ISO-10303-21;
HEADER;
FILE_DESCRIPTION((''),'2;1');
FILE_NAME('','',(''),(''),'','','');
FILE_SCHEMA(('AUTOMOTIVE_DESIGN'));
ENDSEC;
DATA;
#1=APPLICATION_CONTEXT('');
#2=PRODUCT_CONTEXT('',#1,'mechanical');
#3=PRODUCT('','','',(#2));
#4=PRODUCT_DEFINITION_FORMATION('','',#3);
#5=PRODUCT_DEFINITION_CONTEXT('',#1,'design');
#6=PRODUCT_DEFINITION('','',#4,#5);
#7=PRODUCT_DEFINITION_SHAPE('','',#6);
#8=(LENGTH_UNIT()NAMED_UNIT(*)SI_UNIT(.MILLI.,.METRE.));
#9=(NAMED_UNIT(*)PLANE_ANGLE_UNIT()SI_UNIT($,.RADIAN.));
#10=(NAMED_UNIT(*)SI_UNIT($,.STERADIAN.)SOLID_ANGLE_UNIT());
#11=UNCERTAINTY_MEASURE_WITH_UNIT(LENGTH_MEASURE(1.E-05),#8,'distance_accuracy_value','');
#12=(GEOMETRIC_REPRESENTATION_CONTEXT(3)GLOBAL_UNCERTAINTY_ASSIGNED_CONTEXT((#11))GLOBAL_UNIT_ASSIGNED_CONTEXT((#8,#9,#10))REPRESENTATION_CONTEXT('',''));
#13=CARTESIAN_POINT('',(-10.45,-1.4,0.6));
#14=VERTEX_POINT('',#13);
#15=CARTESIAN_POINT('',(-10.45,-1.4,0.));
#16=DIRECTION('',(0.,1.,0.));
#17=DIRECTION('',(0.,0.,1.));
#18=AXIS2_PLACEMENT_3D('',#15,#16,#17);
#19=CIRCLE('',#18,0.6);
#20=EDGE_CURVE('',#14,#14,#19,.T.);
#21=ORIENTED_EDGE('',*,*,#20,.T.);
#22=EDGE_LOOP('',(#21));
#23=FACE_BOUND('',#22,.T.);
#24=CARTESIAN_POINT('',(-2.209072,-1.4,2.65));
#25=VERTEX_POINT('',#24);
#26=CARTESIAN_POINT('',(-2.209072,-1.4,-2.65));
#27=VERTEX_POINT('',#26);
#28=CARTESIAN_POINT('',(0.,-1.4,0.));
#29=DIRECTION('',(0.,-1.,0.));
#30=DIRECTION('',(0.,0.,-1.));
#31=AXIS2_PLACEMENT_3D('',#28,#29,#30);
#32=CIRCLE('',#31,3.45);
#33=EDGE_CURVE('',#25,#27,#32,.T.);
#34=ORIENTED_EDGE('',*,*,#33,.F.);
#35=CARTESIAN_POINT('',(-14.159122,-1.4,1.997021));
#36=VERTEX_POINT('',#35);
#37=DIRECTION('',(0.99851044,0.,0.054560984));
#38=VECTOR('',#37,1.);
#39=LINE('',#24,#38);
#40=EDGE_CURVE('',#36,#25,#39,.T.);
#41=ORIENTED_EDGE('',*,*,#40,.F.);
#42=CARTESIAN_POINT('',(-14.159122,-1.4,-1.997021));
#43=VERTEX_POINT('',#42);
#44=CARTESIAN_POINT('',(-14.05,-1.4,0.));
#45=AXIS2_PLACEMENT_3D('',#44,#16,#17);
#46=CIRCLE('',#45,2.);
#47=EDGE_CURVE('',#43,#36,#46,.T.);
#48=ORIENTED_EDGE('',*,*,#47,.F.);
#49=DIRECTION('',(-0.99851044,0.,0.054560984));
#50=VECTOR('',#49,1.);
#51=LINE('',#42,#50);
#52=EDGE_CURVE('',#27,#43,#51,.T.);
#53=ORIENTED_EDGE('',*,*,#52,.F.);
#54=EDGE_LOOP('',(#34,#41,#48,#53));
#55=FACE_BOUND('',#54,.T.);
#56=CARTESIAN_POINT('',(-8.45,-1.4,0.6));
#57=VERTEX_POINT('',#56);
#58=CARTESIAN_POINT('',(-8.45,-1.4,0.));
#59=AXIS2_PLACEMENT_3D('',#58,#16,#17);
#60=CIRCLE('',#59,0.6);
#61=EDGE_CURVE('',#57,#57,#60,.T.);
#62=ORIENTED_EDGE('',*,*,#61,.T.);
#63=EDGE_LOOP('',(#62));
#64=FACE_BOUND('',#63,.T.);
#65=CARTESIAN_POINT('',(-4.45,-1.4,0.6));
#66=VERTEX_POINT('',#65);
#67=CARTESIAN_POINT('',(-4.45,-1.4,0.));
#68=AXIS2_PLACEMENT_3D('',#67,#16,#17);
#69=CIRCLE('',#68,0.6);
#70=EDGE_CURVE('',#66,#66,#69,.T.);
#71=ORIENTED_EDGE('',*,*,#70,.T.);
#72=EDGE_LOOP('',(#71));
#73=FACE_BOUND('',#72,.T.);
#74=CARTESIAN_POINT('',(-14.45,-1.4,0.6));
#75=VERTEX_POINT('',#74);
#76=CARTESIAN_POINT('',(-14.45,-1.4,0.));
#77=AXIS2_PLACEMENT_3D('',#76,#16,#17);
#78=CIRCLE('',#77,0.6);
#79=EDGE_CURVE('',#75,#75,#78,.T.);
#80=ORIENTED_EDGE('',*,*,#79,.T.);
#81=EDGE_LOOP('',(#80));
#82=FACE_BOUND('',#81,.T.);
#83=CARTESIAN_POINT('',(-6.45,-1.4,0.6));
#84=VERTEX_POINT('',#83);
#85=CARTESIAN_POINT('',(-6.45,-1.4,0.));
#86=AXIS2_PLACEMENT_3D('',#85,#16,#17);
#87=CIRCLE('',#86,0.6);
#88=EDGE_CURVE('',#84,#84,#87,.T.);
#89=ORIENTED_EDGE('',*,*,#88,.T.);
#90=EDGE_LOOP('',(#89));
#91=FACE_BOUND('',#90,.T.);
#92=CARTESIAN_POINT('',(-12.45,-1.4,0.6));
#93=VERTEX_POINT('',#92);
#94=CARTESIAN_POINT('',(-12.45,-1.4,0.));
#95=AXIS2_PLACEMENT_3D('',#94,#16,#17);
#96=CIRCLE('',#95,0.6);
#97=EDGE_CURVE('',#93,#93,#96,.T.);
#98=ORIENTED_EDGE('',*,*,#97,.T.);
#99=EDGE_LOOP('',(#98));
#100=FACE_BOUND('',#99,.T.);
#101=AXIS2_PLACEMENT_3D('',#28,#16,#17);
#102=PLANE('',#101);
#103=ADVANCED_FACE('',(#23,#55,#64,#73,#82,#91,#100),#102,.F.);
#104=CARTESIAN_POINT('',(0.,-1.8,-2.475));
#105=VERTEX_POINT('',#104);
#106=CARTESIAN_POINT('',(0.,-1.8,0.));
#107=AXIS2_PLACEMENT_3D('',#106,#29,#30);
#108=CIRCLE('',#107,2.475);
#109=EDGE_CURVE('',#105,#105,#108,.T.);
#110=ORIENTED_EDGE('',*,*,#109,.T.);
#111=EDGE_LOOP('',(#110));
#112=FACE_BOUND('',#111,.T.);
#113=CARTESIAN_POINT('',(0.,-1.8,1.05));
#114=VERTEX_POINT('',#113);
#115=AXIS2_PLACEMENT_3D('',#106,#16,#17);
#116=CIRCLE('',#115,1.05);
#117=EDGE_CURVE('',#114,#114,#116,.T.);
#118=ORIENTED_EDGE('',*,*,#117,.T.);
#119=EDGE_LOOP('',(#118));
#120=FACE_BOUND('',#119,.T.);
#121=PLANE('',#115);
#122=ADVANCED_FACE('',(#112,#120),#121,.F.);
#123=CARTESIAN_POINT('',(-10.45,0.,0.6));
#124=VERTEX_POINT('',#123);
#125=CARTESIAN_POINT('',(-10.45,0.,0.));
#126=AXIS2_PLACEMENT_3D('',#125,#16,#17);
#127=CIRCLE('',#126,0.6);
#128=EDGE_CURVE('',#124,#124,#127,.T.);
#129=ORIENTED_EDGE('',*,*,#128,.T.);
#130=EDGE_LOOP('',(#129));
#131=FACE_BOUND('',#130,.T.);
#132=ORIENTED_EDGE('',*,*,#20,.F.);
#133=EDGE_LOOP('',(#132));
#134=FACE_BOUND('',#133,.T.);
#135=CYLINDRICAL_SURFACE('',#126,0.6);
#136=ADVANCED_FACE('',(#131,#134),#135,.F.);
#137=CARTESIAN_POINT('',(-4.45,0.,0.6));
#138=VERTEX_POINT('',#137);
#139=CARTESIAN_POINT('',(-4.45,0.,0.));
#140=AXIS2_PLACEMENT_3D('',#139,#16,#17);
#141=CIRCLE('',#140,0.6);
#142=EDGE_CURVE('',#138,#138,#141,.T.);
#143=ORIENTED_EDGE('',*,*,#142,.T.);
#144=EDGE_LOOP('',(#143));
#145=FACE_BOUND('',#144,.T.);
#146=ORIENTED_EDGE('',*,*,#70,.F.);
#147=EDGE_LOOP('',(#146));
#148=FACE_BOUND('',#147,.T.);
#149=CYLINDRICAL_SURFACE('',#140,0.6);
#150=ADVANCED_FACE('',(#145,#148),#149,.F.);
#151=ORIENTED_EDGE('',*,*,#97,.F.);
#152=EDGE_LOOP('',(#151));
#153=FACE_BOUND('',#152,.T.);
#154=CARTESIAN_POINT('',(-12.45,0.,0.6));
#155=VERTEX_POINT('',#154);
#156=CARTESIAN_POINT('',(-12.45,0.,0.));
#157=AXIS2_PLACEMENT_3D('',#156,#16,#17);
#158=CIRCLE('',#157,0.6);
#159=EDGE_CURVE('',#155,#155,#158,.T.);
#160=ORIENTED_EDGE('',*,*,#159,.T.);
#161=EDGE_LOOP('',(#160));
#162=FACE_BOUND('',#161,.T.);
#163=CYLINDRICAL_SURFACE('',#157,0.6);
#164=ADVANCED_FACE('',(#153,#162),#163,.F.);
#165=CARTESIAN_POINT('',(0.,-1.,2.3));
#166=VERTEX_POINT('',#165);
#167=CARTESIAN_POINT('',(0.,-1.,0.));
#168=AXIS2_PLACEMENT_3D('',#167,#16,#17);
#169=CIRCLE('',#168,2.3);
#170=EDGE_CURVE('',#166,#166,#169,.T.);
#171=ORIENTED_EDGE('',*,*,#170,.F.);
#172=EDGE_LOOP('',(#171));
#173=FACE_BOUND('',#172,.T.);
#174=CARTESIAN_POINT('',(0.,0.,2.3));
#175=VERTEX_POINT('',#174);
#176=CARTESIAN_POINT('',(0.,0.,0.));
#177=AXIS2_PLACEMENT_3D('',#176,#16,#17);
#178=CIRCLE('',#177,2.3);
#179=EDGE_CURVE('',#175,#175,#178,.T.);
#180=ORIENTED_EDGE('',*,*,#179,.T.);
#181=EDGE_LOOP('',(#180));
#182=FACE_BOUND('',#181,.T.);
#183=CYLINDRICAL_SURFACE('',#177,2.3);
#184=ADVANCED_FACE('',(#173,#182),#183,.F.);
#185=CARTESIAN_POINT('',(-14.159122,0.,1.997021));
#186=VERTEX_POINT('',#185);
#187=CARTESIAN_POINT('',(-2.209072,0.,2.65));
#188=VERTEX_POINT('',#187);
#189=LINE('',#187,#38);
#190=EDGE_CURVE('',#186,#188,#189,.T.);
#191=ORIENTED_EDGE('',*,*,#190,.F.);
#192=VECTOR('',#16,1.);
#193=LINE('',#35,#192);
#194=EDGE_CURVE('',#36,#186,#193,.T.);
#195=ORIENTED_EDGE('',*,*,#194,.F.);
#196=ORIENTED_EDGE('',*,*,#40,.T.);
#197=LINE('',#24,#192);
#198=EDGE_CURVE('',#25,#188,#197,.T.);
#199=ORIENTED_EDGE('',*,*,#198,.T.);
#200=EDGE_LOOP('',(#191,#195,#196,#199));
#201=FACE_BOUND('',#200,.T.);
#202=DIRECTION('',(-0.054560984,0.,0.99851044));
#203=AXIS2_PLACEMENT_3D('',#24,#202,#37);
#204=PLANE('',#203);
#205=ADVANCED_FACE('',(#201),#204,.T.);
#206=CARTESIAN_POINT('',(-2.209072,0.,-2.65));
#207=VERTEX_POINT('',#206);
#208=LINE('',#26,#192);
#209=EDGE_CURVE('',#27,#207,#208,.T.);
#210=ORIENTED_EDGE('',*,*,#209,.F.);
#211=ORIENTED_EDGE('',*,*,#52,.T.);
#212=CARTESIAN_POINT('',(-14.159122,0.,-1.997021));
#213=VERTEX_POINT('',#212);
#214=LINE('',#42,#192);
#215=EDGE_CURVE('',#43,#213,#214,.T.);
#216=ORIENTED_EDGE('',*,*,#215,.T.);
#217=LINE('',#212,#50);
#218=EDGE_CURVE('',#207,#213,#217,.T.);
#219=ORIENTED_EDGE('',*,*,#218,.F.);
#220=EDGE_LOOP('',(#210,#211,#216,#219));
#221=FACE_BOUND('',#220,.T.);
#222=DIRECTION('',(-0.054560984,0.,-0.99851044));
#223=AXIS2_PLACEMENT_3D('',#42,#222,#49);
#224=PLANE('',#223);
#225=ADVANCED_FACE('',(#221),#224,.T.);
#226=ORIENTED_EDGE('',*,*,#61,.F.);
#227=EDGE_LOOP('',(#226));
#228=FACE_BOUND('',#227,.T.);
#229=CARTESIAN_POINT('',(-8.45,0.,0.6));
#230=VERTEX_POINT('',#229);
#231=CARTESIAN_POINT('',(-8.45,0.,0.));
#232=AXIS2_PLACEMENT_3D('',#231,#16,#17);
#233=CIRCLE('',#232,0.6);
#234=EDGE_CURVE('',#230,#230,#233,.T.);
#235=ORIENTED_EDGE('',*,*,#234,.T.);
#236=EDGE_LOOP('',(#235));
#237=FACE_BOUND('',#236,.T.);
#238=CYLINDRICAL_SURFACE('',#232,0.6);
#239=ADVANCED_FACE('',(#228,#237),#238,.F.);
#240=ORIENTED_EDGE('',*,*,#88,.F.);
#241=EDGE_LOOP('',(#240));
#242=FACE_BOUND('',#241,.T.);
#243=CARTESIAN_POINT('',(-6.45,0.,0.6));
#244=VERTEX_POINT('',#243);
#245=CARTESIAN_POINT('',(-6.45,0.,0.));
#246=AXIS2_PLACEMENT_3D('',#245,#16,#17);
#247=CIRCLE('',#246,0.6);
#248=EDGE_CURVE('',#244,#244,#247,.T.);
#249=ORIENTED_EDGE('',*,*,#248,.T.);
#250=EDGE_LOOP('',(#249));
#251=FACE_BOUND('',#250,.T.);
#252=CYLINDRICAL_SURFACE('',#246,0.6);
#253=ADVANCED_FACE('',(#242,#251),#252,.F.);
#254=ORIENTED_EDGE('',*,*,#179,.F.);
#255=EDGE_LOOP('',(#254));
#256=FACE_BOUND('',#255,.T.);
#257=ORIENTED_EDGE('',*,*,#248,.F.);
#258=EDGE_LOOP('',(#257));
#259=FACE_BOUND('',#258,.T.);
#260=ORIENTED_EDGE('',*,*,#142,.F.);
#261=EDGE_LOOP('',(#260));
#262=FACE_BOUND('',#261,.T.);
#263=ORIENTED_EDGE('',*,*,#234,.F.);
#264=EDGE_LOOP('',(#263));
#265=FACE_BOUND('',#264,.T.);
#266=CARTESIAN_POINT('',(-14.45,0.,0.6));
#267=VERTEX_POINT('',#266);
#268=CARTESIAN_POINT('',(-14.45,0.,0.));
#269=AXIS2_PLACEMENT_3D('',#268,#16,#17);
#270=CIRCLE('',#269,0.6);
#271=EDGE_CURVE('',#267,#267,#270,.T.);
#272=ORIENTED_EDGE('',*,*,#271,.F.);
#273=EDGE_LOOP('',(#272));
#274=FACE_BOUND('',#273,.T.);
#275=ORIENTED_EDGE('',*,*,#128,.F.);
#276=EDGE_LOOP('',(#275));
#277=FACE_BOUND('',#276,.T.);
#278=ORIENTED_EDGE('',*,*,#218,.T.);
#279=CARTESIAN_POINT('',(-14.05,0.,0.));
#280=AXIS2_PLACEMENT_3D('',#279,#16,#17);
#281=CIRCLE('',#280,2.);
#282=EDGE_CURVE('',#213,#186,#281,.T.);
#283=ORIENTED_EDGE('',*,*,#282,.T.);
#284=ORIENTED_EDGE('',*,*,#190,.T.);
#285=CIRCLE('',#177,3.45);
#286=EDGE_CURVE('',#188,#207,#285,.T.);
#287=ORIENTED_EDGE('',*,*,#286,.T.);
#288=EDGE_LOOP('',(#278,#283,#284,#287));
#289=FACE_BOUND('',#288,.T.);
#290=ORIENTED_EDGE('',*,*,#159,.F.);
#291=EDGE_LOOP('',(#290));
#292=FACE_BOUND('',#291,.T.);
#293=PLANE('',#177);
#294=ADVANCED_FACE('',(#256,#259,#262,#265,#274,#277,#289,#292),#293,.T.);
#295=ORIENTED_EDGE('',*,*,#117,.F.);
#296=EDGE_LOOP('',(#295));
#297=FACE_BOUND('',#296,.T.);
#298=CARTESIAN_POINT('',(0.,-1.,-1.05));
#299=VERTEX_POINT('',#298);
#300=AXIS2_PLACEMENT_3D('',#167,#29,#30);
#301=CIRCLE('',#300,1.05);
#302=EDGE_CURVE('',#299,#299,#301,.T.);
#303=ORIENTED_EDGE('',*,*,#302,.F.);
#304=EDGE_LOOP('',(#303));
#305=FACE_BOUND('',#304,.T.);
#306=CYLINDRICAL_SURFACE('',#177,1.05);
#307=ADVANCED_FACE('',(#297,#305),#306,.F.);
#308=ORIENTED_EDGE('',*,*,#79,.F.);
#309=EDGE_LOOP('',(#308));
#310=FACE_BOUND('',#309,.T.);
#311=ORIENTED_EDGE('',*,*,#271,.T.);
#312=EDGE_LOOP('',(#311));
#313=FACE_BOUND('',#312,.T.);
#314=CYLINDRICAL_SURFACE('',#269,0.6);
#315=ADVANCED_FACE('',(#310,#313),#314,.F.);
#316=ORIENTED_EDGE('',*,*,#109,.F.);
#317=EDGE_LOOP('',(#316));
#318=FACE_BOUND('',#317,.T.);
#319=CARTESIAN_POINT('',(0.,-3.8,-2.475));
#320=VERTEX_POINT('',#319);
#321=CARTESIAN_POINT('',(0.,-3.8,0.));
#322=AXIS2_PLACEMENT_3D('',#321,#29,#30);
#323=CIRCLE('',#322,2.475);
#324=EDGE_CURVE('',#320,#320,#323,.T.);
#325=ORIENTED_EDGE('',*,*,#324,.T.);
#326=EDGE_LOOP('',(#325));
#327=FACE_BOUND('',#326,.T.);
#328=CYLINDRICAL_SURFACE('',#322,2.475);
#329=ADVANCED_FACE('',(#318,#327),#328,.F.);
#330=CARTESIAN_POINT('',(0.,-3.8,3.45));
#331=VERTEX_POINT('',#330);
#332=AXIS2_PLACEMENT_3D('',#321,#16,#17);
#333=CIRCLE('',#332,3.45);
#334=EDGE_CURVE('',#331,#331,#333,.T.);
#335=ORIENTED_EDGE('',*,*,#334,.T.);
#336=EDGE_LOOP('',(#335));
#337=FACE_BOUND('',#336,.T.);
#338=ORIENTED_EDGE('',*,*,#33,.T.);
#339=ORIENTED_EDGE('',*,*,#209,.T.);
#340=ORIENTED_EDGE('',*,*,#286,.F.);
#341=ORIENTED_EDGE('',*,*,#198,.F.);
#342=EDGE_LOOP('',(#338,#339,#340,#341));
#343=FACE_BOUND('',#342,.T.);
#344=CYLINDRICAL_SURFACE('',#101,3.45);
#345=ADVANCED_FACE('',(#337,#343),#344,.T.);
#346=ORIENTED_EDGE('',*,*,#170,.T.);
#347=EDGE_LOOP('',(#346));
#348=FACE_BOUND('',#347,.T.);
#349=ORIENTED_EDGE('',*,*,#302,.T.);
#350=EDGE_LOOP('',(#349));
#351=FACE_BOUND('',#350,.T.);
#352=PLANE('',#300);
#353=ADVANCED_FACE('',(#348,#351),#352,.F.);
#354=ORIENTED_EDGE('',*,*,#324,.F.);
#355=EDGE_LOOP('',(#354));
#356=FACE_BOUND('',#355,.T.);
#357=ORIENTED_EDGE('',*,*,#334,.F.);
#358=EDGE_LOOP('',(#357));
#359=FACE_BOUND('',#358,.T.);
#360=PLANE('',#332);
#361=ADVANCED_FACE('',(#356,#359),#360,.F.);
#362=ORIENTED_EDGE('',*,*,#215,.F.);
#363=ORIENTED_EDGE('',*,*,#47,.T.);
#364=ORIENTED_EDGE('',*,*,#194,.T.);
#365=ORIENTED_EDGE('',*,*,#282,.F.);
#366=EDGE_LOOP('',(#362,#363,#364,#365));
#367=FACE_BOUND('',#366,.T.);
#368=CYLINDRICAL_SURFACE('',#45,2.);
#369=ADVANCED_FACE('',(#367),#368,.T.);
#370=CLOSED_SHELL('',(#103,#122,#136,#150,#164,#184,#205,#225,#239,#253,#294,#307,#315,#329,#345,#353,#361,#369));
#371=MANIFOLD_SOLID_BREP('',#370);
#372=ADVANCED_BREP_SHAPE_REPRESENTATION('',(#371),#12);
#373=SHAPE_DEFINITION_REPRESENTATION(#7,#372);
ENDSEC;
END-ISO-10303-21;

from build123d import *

# Parameters (mm, degrees)
RESSALTO_EXTRUS_O1_DEPTH = 1.4
ESBO_O2_R                = 3.45
RESSALTO_EXTRUS_O2_DEPTH = 2.4
FURO4_D                  = 1.2
PADR_O_LINEAR1_COUNT     = 6
PADR_O_LINEAR1_PITCH     = 2
FURO1_D                  = 4.95
FURO1_DEPTH              = 2
FURO2_D                  = 4.6
FURO2_DEPTH              = 1
FURO3_D                  = 2.1


with BuildPart() as part:
    # Esboço1 → Ressalto-extrusão1 (new body)
    with BuildSketch(Plane(origin=(0, 0, 0), x_dir=(1, 0, 0), z_dir=(0, 1, 0))):
        with BuildLine():
            Line((-14.159121967, 1.99702088), (-2.209072203, 2.65))
            ThreePointArc((-2.209072203, 2.65), (3.45, 0), (-2.209072203, -2.65))
            Line((-2.209072203, -2.65), (-14.159121967, -1.99702088))
            ThreePointArc((-14.159121967, -1.99702088), (-16.05, 0), (-14.159121967, 1.99702088))
        make_face()
    extrude(amount=-RESSALTO_EXTRUS_O1_DEPTH)

    # Esboço2 → Ressalto-extrusão2 (add)
    with BuildSketch(Plane.XZ.offset(1.4)):
        with Locations(Location((0, 0, 0), (0, 0, 90))):
            Circle(ESBO_O2_R)
    extrude(amount=RESSALTO_EXTRUS_O2_DEPTH)

    # Furo4 (through all)
    with Locations(Plane(origin=(0, 0, 0), x_dir=(1, 0, 0), z_dir=(0, 1, 0))):
        with Locations((-14.45, 0)):
            furo4 = Hole(FURO4_D / 2)

    # Padrão linear1: Furo4 ×6
    with Locations(*[(i * PADR_O_LINEAR1_PITCH, 0, 0) for i in range(1, PADR_O_LINEAR1_COUNT)]):
        add(furo4, mode=Mode.SUBTRACT)

    # Furo1
    with Locations(Plane(origin=(0, -3.8, 0), x_dir=(-1, 0, 0), z_dir=(0, -1, 0))):
        with Locations((0, 0)):
            Hole(FURO1_D / 2, depth=FURO1_DEPTH)

    # Furo2
    with Locations(Plane(origin=(0, 0, 0), x_dir=(1, 0, 0), z_dir=(0, 1, 0))):
        with Locations((0, 0)):
            Hole(FURO2_D / 2, depth=FURO2_DEPTH)

    # Furo3 (through all)
    with Locations(Plane(origin=(0, 0, 0), x_dir=(1, 0, 0), z_dir=(0, 1, 0))):
        with Locations((0, 0)):
            Hole(FURO3_D / 2)


solid = part.part
